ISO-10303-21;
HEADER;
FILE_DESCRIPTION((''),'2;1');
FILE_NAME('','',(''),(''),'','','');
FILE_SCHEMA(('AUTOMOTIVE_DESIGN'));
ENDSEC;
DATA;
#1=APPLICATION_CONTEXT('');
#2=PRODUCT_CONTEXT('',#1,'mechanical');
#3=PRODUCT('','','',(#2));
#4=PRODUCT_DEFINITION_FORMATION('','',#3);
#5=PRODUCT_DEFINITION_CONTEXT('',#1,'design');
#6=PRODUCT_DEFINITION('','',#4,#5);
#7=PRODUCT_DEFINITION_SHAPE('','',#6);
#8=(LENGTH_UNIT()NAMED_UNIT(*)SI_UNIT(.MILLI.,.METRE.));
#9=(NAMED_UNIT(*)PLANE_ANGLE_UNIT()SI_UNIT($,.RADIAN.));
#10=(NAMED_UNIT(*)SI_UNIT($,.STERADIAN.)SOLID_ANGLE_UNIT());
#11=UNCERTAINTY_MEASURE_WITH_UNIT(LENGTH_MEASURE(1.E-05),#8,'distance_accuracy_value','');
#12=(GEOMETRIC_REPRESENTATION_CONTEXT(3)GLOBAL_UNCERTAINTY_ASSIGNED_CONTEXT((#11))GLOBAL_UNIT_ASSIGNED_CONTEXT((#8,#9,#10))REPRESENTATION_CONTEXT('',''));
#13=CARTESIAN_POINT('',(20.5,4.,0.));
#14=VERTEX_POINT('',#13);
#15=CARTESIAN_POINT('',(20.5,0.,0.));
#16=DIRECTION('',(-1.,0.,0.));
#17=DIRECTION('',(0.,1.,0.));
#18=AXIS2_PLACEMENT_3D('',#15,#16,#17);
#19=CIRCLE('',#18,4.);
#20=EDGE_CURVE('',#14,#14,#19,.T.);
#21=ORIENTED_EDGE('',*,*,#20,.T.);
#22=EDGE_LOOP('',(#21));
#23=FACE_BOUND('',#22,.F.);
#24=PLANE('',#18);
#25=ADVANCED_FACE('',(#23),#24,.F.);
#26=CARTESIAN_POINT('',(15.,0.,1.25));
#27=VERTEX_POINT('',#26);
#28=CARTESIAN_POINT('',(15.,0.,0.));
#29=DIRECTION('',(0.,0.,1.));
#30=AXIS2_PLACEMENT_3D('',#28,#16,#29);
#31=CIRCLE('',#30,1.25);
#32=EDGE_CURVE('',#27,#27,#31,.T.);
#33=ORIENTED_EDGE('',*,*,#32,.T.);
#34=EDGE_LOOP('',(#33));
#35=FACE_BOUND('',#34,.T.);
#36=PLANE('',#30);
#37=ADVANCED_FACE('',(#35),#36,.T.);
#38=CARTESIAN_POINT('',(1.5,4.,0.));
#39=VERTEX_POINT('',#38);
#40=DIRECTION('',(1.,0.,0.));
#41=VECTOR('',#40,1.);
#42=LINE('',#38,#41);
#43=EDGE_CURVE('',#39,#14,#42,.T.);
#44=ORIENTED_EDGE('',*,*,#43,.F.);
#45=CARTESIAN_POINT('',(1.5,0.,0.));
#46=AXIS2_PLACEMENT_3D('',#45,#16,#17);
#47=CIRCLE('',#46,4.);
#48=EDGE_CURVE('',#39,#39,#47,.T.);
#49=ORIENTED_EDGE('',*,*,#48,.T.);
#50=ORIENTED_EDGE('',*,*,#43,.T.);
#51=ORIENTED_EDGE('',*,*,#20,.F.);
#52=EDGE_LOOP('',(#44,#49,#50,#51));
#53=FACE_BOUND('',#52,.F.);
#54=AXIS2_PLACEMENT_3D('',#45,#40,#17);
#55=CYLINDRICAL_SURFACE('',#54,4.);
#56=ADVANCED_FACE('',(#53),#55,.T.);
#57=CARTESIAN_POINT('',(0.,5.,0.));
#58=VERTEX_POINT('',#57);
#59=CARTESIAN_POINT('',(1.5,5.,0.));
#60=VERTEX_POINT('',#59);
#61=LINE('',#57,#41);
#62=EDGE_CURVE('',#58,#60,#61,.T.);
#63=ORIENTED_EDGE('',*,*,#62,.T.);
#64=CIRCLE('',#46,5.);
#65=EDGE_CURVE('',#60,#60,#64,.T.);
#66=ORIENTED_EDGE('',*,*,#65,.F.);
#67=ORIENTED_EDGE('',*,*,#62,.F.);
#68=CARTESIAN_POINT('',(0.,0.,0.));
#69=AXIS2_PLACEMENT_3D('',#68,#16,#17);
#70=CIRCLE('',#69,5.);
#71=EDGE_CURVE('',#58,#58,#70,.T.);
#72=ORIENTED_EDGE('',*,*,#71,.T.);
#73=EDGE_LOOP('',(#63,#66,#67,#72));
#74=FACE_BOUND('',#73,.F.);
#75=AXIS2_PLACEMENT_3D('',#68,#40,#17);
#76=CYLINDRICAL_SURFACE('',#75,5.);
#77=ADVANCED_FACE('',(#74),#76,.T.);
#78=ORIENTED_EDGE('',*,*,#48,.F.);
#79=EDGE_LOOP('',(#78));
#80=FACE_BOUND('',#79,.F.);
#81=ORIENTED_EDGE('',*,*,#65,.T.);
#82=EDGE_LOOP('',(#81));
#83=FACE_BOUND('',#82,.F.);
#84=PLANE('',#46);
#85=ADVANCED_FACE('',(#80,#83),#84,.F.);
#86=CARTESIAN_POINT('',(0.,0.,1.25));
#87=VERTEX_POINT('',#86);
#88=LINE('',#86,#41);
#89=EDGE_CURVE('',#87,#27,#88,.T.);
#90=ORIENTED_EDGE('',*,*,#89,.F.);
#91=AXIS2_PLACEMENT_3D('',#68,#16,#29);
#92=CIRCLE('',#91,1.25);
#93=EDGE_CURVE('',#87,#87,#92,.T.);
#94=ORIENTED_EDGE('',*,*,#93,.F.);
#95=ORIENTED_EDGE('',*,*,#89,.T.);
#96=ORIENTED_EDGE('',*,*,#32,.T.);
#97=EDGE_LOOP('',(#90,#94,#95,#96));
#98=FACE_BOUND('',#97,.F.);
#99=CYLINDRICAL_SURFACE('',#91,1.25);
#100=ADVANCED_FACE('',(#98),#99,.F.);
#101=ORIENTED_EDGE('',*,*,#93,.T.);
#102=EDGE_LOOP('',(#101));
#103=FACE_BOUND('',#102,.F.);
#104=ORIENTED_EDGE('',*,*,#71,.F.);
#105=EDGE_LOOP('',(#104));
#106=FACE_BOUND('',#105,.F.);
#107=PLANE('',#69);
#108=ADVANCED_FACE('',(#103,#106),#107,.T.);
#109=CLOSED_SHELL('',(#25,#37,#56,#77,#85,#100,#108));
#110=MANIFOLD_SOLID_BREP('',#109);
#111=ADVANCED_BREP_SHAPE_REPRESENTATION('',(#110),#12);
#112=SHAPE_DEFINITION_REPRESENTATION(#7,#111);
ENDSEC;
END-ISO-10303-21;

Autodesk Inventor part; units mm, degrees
ref_plane "YZ Plane" through (0, 0, 0) normal (1, 0, 0) x (0, 1, 0)
ref_plane "XZ Plane" through (0, 0, 0) normal (0, 1, 0) x (-1, 0, 0)
ref_plane "XY Plane" through (0, 0, 0) normal (0, 0, 1) x (1, 0, 0)
sketch "スケッチ1" plane through (0, 0, 0) normal (0, 0, 1) x (1, 0, 0)
  line L0 (0, 0) -> (0, 5)
  line L1 (0, 5) -> (1.5, 5)
  line L2 (1.5, 5) -> (1.5, 4)
  line L3 (1.5, 4) -> (20.5, 4)
  line L4 (20.5, 4) -> (20.5, 0)
  line L5 (20.5, 0) -> (0, 0)
  dimension "d0" = 5
  dimension "d1" = 1.5
  dimension "d2" = 4
  dimension "d3" = 20.5
revolve "回転1" add sketch "スケッチ1" angle 360 about axis through (20.5, 0, 0) along (-1, 0, 0)
sketch "スケッチ2" plane through (0, 0, 0) normal (-1, 0, 0) x (0, 0, 1)
  circle A0 centre (0, 0) radius 1.25
  dimension "d5" = 2.5
extrude "押し出し1" cut sketch "スケッチ2" against normal blind 15
properties part number "Circuit_MJ165H"
